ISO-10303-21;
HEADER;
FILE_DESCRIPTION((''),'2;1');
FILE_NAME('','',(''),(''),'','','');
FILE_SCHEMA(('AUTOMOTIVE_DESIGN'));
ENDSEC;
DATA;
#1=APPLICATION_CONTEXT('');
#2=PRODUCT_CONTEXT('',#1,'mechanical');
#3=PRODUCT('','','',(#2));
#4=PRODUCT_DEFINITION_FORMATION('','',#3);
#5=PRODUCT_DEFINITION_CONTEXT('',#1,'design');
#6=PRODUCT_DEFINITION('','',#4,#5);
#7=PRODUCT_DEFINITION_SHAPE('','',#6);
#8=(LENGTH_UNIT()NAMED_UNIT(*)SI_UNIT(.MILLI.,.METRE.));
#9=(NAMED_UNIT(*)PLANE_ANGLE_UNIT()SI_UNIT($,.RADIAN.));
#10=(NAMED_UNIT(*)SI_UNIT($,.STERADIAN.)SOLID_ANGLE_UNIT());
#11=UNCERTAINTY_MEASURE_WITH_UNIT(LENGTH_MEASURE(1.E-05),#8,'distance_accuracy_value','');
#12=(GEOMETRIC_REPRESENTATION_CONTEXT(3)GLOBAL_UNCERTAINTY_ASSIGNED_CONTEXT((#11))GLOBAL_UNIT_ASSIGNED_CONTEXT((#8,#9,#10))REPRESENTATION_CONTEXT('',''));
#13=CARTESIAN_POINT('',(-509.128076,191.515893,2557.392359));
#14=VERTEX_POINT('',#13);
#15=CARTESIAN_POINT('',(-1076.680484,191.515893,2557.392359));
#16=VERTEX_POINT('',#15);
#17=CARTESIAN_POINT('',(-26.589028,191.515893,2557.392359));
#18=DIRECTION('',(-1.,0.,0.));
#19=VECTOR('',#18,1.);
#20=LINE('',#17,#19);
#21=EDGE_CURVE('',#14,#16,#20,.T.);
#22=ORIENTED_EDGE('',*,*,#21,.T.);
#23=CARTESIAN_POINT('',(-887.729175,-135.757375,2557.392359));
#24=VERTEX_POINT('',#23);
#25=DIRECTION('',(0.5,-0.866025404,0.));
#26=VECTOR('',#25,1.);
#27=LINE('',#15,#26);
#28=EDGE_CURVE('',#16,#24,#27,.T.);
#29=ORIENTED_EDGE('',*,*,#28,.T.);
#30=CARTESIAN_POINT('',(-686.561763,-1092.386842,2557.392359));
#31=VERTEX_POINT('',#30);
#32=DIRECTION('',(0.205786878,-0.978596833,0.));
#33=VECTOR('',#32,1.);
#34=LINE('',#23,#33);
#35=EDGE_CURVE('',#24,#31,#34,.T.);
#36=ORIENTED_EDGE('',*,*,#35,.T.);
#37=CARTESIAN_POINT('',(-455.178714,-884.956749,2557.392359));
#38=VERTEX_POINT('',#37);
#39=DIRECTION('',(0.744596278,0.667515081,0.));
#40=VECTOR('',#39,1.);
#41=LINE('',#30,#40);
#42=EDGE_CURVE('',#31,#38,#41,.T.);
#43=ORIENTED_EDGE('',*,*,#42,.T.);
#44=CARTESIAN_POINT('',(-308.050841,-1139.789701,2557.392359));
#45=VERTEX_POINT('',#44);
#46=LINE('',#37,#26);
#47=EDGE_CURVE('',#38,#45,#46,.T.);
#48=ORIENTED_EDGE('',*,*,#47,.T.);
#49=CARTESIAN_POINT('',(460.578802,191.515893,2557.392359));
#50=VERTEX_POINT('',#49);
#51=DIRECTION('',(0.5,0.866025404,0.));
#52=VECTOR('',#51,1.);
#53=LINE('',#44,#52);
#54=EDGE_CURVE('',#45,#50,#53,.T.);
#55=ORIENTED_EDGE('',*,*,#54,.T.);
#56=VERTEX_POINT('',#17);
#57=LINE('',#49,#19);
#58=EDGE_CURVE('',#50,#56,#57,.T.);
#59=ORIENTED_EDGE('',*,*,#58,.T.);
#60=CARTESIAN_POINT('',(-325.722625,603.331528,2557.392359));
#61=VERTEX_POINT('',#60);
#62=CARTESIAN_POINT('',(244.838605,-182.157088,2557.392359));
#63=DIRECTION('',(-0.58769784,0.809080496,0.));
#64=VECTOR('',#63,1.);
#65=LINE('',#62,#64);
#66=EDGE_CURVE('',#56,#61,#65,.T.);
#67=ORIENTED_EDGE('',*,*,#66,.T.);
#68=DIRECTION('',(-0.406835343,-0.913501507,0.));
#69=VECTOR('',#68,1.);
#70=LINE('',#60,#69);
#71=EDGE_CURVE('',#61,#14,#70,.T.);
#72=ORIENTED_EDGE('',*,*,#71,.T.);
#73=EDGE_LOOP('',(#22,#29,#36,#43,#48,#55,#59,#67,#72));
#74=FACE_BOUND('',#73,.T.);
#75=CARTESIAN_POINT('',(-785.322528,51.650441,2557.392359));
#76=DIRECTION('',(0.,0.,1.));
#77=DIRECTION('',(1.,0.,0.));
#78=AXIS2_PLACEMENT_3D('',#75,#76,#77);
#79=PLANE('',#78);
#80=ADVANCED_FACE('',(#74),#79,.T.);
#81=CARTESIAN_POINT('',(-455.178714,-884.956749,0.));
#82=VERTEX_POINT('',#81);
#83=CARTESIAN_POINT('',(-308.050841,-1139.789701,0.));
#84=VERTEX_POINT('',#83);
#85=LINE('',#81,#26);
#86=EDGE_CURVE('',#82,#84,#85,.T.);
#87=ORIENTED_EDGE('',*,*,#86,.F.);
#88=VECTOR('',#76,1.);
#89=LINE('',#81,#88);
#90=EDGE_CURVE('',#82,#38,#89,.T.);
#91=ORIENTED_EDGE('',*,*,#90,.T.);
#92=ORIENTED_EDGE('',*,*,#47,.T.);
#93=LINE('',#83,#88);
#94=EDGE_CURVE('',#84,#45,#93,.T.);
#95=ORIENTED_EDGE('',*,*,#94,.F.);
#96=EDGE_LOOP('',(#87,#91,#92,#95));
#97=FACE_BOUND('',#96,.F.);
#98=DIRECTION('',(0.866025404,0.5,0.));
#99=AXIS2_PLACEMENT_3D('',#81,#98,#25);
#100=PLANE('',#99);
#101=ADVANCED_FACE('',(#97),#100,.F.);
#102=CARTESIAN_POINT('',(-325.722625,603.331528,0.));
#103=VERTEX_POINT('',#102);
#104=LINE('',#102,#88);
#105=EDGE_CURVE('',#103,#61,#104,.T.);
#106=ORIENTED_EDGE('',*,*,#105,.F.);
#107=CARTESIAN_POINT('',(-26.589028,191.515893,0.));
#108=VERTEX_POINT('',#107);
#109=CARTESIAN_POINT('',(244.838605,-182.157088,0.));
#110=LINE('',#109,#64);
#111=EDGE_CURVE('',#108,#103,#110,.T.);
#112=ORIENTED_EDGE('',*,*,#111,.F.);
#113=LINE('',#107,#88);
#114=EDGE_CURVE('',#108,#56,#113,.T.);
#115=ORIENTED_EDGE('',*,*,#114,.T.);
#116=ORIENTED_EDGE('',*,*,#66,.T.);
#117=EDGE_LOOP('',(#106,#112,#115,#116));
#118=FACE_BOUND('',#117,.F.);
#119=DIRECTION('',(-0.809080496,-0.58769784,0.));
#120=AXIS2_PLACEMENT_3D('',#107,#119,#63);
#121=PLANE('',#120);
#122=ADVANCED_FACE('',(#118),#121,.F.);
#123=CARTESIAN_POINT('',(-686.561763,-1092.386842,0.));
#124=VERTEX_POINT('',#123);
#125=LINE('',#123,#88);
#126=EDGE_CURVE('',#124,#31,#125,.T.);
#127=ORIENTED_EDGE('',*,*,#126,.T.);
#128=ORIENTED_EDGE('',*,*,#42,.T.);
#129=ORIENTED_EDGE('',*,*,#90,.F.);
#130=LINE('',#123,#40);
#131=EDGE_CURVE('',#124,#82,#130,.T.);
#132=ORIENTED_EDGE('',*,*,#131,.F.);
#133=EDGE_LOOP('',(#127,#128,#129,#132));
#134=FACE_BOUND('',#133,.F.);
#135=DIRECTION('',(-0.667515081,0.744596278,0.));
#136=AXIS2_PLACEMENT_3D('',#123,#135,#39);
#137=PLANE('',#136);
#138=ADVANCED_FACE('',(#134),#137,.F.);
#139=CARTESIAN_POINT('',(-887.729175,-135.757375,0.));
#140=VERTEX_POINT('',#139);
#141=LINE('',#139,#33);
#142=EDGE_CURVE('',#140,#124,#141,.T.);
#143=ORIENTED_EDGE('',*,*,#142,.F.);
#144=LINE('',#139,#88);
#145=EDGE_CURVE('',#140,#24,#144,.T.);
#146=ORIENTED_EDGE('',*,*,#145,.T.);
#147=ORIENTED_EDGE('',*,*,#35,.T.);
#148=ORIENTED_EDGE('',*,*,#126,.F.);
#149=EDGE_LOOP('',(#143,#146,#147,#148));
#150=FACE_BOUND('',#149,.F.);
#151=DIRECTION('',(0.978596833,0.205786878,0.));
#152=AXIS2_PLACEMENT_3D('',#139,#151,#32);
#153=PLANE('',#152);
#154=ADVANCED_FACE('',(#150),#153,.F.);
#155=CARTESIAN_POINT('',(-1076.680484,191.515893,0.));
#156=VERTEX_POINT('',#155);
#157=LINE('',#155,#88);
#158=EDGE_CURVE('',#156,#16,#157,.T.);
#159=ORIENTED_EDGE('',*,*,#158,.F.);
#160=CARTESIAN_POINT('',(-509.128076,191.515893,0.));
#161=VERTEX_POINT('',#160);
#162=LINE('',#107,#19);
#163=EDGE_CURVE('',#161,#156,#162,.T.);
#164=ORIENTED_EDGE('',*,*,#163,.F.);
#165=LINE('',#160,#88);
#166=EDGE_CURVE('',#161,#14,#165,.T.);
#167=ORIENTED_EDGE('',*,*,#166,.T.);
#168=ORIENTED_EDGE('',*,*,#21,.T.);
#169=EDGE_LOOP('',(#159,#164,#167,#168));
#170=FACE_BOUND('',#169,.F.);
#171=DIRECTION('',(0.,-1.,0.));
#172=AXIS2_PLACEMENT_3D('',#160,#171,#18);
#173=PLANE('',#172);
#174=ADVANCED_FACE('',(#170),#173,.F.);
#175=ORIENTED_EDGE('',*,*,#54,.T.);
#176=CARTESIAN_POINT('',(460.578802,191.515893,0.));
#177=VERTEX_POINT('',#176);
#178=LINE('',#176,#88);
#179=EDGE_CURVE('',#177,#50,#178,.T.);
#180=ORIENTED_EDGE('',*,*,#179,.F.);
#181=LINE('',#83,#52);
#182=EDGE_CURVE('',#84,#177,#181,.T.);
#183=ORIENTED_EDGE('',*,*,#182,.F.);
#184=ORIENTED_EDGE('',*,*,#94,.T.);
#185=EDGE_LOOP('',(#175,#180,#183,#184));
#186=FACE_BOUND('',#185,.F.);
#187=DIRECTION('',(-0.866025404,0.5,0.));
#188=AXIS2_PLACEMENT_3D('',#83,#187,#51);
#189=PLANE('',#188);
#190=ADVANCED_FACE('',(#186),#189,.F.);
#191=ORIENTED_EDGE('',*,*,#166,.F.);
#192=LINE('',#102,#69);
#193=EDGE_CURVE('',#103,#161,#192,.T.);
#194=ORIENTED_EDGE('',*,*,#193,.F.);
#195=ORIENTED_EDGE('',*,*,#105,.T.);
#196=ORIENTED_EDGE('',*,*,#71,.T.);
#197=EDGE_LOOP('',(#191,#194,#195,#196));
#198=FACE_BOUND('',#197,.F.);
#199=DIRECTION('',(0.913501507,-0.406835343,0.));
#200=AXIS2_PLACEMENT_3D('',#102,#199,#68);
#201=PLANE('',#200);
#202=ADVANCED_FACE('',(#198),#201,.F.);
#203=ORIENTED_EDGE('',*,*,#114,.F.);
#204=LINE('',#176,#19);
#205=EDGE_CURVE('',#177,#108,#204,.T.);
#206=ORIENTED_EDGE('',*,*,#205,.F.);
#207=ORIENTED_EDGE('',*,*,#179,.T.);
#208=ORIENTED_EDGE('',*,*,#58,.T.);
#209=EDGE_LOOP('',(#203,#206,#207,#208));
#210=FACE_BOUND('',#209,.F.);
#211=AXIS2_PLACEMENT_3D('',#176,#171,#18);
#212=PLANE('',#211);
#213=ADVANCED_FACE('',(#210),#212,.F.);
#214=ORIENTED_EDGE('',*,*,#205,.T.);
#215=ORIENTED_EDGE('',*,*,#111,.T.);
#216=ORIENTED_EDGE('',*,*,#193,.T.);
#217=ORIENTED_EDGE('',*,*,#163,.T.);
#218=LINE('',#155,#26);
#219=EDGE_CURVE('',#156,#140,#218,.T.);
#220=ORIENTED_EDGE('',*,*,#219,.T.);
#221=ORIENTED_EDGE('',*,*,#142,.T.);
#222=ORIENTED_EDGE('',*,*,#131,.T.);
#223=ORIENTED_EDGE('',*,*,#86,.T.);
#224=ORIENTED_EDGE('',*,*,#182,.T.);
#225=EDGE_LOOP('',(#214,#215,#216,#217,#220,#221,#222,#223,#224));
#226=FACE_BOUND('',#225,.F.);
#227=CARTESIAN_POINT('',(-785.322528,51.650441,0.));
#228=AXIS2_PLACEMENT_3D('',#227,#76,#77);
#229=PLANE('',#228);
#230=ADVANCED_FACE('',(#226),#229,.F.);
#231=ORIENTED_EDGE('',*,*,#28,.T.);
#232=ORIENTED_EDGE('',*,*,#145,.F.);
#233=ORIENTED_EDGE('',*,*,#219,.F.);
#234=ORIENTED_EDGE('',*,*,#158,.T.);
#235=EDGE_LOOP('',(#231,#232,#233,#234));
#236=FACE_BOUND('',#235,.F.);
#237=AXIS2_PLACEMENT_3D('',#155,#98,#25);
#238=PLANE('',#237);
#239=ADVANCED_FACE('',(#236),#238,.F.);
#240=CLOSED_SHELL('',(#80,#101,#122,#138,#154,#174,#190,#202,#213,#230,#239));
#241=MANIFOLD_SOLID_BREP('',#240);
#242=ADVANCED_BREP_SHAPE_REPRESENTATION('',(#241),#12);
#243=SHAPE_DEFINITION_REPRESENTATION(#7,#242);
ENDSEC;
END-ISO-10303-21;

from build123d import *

# Parameters (mm, degrees)
F1_DEPTH = 2557.3923587799


with BuildPart() as f1:
    # F0 (on Top) → F1 (new body)
    with BuildSketch(Plane.XY):
        Polygon((-509.1280756642, 191.5158927441), (-1076.6804837309, 191.5158927441), (-887.7291746075, -135.7573748142), (-890.4924347892, -122.6169953793), (-679.7507416082, -191.5974846936), align=None)
        Polygon((51.318223764, -430.8927764446), (-455.1787140328, -884.9567493669), (-308.0508410931, -1139.7897005081), (202.0747097984, -256.2263281251), (-316.0918077312, -310.6312213201), align=None)
        Polygon((-455.1787140328, -884.9567493669), (-887.7291746075, -135.7573748142), (-686.5617632866, -1092.386841774), align=None)
        Polygon((-890.4924347892, -122.6169953793), (-887.7291746075, -135.7573748142), (-455.1787140328, -884.9567493669), (51.318223764, -430.8927764446), (-316.0918077312, -310.6312213201), (-753.2028653219, -356.5256965478), (-679.7507416082, -191.5974846936), align=None)
        Polygon((-26.5890275919, 191.5158927441), (-509.1280756642, 191.5158927441), (-679.7507416082, -191.5974846936), (-316.0918077312, -310.6312213201), (202.0747097984, -256.2263281251), (244.8386052615, -182.1570884534), align=None)
        Polygon((-325.7226250574, 603.3315283378), (-509.1280756642, 191.5158927441), (-26.5890275919, 191.5158927441), align=None)
        Polygon((460.5788015447, 191.5158927441), (-26.5890275919, 191.5158927441), (244.8386052615, -182.1570884534), align=None)
        Polygon((-316.0918077312, -310.6312213201), (-679.7507416082, -191.5974846936), (-753.2028653219, -356.5256965478), align=None)
    extrude(amount=F1_DEPTH)


solid = f1.part
